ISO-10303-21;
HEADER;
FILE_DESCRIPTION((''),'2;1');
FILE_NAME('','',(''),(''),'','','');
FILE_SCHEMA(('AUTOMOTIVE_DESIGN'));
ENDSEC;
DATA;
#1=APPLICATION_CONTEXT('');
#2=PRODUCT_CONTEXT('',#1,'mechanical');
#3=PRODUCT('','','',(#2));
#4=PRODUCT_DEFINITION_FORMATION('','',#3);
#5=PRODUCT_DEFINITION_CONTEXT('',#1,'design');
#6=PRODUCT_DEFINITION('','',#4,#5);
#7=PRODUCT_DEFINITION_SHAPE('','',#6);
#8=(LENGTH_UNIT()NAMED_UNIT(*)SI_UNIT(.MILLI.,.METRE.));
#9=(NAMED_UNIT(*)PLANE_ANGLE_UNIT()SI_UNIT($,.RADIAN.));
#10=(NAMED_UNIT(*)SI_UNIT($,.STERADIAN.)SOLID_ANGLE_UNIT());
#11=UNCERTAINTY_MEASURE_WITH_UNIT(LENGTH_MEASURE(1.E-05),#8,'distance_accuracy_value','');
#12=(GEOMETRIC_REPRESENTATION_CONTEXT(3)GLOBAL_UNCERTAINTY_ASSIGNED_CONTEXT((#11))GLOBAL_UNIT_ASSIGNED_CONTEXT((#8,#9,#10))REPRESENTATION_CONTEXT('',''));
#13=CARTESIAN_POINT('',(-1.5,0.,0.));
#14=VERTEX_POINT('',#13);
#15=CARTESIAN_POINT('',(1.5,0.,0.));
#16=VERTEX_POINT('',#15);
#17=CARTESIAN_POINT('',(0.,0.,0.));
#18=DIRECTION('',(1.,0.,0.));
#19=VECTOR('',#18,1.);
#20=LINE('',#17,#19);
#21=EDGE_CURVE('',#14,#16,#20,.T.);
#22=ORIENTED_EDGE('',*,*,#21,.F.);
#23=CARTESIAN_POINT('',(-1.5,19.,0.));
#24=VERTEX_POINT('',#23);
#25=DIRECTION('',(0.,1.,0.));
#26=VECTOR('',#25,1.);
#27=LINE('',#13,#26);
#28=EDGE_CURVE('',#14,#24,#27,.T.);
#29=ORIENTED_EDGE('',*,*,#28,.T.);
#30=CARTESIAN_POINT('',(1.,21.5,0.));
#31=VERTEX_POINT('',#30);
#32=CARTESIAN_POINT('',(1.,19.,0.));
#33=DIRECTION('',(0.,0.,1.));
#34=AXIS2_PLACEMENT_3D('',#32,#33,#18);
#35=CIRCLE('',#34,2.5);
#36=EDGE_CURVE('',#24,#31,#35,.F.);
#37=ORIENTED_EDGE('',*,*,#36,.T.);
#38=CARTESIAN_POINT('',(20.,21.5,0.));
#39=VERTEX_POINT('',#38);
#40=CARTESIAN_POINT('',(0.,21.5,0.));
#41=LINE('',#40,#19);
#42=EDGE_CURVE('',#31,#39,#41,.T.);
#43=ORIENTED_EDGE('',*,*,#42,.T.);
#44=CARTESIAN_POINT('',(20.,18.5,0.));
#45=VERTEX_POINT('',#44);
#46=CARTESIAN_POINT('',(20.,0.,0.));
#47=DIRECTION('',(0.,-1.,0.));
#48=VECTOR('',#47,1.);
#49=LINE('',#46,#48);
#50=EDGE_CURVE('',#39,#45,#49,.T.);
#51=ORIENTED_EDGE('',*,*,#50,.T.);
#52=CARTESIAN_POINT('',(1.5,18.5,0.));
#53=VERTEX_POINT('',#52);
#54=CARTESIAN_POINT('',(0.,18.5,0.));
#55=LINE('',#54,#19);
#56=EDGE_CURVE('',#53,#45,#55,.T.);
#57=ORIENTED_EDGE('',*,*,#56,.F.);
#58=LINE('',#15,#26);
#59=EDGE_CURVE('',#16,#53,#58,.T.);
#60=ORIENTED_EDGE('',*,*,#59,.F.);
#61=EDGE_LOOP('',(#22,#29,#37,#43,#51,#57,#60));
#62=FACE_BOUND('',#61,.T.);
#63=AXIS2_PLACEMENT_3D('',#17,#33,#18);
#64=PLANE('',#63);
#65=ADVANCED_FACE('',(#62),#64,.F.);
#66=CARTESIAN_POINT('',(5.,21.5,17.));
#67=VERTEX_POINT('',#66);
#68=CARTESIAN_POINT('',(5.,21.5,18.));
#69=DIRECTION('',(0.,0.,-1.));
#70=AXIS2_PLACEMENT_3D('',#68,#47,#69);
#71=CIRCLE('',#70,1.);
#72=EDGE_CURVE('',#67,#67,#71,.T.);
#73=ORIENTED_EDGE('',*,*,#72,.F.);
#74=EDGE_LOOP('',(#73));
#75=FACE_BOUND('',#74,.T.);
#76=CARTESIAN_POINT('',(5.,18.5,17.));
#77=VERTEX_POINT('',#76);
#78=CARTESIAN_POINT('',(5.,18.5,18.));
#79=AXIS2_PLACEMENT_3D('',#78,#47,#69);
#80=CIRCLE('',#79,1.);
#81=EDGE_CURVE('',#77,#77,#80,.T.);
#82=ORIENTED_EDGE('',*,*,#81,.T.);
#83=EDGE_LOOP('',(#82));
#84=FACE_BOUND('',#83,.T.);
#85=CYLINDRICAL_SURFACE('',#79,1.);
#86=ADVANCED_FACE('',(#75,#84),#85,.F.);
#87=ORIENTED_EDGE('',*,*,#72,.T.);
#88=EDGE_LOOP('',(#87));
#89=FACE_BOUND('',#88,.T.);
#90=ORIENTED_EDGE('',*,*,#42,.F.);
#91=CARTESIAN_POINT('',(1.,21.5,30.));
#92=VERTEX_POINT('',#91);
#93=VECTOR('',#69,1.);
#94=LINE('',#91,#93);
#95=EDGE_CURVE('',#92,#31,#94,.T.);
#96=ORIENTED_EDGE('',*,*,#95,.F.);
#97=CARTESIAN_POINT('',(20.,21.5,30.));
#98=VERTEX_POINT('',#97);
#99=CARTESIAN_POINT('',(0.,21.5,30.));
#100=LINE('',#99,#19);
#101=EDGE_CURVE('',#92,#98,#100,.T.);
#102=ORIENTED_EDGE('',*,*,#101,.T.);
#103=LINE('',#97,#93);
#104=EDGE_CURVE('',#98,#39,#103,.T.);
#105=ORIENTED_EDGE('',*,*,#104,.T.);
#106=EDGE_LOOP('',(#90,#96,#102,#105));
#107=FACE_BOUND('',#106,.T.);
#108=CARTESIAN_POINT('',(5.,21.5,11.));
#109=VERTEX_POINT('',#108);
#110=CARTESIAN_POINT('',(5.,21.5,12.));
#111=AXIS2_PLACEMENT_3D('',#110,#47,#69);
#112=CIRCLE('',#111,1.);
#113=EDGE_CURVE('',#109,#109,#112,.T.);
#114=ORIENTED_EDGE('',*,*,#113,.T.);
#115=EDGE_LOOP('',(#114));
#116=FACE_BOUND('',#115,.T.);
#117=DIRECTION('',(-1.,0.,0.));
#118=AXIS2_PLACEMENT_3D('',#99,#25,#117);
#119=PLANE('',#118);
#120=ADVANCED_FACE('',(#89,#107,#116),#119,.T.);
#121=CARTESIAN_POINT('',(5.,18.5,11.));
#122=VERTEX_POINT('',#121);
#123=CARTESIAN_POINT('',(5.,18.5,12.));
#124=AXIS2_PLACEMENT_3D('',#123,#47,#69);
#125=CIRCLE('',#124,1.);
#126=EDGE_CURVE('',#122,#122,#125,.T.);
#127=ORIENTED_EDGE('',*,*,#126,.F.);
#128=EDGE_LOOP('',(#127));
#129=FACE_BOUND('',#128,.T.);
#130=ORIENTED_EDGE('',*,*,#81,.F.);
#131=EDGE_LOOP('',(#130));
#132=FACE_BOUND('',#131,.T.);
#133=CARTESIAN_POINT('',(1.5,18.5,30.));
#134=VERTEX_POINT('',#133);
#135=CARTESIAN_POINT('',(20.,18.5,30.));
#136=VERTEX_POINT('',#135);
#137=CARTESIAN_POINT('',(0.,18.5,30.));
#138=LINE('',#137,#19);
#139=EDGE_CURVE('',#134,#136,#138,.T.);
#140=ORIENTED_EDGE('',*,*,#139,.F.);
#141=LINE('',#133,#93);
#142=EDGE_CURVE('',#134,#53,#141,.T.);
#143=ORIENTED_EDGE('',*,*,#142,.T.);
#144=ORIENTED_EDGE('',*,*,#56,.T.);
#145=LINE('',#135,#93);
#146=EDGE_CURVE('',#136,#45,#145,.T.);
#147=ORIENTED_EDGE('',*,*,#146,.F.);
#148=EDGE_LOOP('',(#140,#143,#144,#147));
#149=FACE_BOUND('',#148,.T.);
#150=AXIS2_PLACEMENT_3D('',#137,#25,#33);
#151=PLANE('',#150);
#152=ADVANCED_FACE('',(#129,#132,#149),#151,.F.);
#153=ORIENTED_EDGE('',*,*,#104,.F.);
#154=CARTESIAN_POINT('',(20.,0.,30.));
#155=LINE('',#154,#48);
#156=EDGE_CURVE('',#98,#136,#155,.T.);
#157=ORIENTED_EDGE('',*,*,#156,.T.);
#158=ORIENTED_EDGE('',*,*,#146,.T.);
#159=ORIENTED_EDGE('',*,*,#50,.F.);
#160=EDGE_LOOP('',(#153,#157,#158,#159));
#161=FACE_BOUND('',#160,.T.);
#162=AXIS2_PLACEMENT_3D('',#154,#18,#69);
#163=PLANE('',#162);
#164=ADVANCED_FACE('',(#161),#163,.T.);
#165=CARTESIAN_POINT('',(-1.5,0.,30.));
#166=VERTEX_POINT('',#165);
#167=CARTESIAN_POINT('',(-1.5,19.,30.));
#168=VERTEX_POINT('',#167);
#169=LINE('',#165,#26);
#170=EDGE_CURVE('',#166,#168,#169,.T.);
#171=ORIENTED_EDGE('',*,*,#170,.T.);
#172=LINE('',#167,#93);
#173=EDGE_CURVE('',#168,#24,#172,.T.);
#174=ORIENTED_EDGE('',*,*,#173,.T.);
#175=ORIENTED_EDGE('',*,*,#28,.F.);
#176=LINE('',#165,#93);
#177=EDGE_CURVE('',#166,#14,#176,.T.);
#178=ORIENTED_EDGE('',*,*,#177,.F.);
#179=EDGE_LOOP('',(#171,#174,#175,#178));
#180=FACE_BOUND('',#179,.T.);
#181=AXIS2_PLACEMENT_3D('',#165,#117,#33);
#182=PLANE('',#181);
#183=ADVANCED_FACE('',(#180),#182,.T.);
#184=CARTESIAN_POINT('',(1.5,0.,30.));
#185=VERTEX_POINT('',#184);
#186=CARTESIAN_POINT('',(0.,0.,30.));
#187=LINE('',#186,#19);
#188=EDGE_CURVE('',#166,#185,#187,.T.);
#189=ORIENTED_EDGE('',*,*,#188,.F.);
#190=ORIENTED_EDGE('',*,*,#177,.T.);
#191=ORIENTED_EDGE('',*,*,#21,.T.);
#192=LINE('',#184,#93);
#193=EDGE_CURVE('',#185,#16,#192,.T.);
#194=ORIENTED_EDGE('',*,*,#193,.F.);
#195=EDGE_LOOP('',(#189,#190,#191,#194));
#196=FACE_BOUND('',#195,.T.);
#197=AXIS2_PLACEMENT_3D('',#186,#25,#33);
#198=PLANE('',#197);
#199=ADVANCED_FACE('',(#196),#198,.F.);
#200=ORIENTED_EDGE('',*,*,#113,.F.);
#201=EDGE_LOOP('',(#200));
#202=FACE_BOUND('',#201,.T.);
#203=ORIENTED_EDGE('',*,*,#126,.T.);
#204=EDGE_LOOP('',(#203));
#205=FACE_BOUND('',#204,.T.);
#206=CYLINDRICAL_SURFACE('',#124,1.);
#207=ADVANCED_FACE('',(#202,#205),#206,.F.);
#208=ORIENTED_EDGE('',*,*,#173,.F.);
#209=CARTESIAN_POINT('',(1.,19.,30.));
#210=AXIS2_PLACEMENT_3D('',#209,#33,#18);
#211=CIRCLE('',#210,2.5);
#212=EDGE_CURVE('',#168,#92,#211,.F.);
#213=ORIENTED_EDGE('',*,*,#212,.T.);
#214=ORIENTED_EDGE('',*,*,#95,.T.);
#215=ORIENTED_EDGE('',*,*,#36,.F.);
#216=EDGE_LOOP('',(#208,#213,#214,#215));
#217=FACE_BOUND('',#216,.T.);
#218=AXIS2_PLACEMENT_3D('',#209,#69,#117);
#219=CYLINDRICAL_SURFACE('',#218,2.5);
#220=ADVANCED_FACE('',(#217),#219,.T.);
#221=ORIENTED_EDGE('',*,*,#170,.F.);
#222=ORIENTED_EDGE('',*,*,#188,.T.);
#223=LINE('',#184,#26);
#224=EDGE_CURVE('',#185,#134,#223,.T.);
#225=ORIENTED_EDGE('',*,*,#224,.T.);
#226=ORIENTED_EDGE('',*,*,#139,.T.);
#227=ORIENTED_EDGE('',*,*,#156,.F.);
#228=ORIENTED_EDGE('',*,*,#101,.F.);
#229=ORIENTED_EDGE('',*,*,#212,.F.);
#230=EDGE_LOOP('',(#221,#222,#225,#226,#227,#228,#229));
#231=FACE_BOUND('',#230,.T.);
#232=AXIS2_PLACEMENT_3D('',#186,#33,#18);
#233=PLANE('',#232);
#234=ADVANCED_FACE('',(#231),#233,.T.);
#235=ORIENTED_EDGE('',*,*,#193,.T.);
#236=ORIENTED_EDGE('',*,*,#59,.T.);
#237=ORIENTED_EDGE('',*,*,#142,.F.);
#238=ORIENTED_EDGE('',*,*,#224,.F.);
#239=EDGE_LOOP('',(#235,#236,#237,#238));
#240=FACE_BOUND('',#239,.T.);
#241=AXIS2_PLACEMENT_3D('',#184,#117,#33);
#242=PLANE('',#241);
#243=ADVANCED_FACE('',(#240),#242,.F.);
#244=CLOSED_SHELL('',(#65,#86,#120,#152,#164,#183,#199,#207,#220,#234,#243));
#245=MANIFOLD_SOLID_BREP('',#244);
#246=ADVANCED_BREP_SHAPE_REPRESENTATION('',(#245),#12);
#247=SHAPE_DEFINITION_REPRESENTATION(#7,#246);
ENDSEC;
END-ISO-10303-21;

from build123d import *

# Parameters (mm, degrees)
BOSS_EXTRUDE1_DEPTH             = 30
F_2_0MM_CLEARANCE_DOWEL_HOLE1_D = 2


with BuildPart() as part:
    # Sketch1 → Boss-Extrude1 (new body)
    with BuildSketch(Plane.XY):
        with BuildLine():
            Line((0, 19), (0, 0))
            Line((0, 0), (1.5, 0))
            Line((1.5, 0), (1.5, 18.5))
            Line((1.5, 18.5), (20, 18.5))
            Line((20, 18.5), (20, 20))
            Line((20, 20), (1, 20))
            ThreePointArc((1, 20), (0.292893219, 19.707106781), (0, 19))
        make_face()
        with BuildLine():
            Line((-1.5, 0), (0, 0))
            Line((0, 0), (0, 19))
            ThreePointArc((0, 19), (0.292893219, 19.707106781), (1, 20))
            Line((1, 20), (20, 20))
            Line((20, 20), (20, 21.5))
            Line((20, 21.5), (1, 21.5))
            ThreePointArc((1, 21.5), (-0.767766953, 20.767766953), (-1.5, 19))
            Line((-1.5, 19), (-1.5, 0))
        make_face()
    extrude(amount=BOSS_EXTRUDE1_DEPTH)

    # Ø2.0mm Clearance Dowel Hole1 (through all)
    with Locations(Plane(origin=(-21.929397557, 18.5, -58.5), x_dir=(-1, 0, 0), z_dir=(0, -1, 0))):
        with Locations((-26.929397557, -76.5), (-26.929397557, -70.5)):
            Hole(F_2_0MM_CLEARANCE_DOWEL_HOLE1_D / 2)


solid = part.part
